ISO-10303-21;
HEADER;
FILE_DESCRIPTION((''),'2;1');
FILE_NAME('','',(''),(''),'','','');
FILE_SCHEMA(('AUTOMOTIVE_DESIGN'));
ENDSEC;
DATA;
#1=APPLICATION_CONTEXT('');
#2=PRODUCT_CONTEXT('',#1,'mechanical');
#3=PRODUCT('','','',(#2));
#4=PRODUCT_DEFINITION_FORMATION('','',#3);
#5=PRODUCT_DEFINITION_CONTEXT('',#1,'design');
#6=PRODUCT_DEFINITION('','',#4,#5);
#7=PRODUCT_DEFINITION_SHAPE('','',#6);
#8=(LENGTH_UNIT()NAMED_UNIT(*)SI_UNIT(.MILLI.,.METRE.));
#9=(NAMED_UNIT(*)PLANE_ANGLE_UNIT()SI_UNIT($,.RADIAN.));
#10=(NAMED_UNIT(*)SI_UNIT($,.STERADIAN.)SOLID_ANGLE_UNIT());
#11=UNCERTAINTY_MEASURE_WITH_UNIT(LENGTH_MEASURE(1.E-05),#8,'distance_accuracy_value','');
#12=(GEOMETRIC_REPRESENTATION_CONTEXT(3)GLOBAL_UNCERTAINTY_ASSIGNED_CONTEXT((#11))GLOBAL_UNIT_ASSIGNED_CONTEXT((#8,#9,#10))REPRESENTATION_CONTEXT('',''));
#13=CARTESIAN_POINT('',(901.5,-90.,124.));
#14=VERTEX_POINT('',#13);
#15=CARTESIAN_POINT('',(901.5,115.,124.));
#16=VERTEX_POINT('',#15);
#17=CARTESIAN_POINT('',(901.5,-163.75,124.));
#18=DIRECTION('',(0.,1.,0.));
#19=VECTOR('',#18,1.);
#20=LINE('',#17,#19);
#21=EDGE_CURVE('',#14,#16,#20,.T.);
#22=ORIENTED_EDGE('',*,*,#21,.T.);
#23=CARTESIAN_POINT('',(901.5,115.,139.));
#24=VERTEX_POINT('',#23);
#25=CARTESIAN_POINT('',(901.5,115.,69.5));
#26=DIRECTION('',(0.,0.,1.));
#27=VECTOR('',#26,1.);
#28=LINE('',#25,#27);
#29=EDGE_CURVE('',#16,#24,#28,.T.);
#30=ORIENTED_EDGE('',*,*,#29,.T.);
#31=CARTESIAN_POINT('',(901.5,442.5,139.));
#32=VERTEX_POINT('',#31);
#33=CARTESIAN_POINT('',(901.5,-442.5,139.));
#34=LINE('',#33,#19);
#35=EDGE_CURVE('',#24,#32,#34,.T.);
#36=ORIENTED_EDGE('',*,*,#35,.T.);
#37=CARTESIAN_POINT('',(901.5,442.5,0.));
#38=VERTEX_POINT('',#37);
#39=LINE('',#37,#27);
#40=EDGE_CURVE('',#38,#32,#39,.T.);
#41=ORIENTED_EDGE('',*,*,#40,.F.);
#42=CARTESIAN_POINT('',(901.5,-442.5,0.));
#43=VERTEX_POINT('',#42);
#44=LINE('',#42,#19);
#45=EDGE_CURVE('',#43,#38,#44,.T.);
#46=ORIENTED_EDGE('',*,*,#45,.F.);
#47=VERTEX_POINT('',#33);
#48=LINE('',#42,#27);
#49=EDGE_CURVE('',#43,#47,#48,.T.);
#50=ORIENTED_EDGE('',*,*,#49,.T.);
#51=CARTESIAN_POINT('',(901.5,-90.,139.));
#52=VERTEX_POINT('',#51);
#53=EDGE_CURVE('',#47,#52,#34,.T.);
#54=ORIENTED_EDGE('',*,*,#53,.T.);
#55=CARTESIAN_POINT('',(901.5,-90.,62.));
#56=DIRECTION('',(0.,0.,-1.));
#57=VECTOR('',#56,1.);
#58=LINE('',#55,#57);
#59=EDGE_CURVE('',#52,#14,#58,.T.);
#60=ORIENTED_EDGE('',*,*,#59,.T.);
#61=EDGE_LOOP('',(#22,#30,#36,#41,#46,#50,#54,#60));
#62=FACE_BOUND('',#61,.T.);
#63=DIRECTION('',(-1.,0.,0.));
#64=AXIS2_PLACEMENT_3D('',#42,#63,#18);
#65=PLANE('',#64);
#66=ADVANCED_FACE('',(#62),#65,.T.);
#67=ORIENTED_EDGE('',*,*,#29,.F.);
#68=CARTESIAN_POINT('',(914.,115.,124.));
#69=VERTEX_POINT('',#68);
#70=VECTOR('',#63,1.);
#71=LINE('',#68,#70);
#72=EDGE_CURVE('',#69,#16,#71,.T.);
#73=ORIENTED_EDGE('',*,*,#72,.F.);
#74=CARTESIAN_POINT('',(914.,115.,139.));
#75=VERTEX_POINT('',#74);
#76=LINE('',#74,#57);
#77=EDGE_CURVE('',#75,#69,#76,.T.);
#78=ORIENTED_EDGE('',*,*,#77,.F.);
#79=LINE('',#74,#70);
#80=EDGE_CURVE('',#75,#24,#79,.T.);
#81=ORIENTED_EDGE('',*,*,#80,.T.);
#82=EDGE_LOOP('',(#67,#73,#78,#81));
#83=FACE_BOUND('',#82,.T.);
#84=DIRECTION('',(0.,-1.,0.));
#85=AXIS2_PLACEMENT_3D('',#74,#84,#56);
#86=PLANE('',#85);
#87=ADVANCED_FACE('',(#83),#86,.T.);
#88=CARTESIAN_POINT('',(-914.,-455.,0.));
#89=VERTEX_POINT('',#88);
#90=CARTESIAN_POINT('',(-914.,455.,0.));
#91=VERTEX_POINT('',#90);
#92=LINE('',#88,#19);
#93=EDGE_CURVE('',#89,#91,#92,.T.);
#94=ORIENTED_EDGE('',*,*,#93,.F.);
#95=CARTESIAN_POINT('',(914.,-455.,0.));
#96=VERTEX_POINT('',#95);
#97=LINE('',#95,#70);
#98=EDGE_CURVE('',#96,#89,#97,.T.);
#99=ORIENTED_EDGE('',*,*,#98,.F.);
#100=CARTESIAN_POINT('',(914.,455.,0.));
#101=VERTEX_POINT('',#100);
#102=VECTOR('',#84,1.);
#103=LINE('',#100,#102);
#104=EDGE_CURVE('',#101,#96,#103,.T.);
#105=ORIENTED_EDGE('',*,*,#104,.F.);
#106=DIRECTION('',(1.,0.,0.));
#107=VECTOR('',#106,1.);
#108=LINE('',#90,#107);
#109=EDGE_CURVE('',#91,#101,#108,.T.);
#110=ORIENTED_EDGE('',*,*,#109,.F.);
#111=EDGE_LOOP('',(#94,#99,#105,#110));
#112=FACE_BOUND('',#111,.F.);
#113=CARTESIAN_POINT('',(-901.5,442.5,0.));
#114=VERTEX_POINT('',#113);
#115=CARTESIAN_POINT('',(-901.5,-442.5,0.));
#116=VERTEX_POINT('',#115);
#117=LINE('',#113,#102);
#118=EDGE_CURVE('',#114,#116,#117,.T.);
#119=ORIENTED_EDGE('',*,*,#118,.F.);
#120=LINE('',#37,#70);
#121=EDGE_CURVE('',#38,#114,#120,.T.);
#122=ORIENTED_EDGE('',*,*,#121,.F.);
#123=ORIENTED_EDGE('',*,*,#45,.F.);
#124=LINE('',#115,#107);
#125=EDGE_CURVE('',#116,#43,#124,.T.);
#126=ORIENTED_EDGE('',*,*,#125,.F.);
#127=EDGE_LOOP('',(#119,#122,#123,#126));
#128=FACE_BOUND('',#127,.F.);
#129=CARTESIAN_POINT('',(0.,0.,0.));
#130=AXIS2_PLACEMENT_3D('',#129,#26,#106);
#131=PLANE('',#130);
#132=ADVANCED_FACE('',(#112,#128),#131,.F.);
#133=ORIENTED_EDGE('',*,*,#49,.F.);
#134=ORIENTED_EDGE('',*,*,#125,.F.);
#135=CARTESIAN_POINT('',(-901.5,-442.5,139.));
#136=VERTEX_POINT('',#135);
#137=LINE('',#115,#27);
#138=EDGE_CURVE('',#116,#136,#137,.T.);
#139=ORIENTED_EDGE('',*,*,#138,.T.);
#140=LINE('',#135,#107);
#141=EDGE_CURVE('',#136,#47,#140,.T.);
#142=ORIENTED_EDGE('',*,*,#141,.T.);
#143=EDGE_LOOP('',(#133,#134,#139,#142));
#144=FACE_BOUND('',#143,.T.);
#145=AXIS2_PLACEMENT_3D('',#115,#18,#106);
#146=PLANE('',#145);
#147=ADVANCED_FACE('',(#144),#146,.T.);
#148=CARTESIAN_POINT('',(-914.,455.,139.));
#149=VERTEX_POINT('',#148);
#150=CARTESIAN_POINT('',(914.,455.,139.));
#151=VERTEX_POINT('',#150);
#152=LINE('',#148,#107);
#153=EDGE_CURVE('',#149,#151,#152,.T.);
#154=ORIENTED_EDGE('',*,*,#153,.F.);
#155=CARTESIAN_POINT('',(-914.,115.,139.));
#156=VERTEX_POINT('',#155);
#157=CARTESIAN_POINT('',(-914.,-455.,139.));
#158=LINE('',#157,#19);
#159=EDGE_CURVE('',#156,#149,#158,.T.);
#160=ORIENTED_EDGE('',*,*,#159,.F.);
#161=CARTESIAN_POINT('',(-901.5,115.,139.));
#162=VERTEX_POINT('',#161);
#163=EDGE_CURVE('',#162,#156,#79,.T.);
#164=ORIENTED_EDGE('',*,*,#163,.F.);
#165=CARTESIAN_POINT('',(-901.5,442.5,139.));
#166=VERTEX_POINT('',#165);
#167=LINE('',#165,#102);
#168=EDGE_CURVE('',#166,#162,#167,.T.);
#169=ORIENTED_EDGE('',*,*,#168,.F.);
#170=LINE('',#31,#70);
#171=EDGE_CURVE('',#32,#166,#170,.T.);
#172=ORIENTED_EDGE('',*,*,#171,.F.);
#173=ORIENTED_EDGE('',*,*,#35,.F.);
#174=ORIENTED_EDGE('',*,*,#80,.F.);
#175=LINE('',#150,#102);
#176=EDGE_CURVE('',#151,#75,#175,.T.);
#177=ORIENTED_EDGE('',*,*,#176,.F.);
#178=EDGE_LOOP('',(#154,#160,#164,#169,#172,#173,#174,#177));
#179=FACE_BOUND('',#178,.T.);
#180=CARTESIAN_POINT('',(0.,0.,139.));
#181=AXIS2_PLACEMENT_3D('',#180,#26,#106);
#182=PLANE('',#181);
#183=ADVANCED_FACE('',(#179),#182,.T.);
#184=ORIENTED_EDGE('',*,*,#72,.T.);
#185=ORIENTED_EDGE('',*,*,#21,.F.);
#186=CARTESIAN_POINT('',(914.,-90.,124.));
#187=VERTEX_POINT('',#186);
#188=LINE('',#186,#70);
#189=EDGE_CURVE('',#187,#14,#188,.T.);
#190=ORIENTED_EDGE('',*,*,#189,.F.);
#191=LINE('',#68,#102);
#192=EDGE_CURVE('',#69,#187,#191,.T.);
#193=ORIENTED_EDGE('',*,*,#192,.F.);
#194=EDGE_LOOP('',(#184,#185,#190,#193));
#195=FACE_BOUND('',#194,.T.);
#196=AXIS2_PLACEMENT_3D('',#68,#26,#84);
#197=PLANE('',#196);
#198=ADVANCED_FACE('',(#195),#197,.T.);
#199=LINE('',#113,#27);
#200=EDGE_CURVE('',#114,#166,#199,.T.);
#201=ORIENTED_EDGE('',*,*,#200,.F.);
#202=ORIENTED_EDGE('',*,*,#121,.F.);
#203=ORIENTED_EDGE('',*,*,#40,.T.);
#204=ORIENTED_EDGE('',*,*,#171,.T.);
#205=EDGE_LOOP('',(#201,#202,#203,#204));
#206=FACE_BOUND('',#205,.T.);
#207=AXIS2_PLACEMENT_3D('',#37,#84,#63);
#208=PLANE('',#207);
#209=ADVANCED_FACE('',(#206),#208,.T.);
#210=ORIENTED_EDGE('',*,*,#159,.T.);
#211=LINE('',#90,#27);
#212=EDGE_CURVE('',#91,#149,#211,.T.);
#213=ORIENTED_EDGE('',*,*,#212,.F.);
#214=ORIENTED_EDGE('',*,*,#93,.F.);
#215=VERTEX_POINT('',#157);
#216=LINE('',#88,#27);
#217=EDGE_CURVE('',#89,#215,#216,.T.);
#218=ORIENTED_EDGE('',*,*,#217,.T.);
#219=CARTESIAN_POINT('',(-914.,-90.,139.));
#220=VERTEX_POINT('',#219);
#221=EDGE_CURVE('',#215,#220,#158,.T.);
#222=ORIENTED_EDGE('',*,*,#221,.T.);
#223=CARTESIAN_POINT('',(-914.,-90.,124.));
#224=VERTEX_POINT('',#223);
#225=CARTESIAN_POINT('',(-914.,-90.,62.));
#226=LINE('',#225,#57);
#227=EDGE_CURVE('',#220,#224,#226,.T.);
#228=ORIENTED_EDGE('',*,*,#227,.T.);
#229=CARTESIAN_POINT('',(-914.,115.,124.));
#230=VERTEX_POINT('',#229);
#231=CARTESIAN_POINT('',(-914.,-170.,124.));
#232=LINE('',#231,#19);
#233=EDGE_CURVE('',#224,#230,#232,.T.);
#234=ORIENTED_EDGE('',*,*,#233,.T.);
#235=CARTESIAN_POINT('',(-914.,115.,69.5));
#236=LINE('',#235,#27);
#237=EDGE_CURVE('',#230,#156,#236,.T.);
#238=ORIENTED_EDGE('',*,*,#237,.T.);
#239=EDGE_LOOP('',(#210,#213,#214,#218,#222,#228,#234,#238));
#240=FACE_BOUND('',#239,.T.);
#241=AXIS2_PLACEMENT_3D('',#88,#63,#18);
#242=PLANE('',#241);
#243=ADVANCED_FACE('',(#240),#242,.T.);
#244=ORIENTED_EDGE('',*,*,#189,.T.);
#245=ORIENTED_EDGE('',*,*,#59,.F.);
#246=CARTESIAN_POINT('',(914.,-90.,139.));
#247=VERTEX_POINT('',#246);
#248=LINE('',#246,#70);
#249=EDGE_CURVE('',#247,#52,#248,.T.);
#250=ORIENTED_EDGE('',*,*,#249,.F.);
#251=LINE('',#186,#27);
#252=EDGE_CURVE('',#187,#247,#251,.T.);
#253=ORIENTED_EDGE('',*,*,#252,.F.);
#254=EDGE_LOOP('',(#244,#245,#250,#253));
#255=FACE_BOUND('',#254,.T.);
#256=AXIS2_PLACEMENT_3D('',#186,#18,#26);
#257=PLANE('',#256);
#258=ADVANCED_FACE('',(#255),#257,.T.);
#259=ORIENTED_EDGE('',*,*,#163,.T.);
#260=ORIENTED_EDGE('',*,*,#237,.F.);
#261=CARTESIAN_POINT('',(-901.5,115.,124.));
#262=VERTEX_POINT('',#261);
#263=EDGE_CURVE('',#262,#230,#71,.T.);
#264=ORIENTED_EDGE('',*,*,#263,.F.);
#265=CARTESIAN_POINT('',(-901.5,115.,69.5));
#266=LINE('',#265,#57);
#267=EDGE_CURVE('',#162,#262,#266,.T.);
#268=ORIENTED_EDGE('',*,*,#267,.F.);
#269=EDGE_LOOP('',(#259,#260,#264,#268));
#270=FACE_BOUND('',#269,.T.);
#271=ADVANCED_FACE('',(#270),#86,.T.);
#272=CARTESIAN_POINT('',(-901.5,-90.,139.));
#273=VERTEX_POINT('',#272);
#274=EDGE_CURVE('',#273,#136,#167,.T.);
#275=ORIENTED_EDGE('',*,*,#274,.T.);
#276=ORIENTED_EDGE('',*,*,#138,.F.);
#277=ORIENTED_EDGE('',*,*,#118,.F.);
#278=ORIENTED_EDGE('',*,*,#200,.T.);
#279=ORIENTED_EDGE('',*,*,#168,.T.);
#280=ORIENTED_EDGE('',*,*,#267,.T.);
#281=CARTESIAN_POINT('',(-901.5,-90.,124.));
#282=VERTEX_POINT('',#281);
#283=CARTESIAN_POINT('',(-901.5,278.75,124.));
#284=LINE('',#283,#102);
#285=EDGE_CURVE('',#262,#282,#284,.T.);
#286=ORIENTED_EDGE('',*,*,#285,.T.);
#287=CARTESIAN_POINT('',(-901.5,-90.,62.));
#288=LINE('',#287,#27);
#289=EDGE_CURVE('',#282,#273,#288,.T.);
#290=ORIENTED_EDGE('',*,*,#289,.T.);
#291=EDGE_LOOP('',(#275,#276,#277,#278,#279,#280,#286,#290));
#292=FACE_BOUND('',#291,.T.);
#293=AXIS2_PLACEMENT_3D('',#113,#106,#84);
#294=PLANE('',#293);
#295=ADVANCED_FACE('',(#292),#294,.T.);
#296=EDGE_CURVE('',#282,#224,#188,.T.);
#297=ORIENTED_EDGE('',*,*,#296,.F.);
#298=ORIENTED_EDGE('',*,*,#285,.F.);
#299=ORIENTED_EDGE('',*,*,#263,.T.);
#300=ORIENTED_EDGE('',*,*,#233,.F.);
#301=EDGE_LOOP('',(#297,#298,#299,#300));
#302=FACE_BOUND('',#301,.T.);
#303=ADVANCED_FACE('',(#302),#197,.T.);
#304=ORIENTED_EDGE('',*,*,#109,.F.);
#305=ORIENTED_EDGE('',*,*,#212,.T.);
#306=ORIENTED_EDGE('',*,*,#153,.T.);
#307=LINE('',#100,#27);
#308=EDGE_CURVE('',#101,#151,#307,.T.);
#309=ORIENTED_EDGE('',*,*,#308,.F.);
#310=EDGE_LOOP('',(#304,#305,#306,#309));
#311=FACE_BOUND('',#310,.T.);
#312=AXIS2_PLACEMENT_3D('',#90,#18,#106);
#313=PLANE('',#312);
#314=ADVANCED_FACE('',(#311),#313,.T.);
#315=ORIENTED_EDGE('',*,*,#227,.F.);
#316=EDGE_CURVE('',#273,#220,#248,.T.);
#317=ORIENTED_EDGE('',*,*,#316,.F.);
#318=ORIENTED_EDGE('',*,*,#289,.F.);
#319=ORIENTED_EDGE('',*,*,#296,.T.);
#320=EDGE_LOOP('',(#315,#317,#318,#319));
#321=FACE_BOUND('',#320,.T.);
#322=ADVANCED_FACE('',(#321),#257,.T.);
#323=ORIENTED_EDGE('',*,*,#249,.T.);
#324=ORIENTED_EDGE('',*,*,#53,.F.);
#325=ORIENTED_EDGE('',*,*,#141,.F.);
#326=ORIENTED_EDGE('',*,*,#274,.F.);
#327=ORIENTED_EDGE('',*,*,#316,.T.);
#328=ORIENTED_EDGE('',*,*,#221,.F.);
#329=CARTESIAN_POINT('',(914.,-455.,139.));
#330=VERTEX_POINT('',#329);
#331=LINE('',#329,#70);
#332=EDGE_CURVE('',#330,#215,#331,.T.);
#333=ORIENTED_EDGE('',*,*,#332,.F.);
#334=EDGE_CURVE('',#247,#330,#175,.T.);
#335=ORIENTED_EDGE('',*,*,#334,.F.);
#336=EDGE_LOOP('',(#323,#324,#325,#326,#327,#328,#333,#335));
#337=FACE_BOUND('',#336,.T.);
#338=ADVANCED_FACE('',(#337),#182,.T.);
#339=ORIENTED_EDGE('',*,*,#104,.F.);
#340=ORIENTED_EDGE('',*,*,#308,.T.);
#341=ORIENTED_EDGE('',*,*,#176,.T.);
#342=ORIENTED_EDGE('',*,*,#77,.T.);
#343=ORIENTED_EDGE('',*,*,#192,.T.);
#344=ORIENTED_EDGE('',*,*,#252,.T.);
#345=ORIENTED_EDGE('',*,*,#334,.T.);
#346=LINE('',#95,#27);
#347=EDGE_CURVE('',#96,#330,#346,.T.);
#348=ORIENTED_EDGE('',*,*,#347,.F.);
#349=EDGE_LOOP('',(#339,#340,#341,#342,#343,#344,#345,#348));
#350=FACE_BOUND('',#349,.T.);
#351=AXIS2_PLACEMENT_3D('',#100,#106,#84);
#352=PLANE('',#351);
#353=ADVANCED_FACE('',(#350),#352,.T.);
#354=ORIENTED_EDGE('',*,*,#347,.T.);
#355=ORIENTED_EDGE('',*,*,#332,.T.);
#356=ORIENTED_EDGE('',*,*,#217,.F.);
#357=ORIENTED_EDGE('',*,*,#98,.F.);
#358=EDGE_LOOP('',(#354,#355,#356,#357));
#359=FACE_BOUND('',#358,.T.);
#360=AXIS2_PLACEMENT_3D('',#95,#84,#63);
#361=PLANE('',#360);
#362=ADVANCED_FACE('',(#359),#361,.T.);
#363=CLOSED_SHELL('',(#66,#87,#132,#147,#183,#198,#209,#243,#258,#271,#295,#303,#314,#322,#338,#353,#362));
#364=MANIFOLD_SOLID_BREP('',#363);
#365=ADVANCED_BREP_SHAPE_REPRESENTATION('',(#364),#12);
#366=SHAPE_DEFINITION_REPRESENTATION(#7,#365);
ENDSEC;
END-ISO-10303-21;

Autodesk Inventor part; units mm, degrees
ref_plane "YZ Plane" through (0, 0, 0) normal (1, 0, 0) x (0, 1, 0)
ref_plane "XZ Plane" through (0, 0, 0) normal (0, 1, 0) x (-1, 0, 0)
ref_plane "XY Plane" through (0, 0, 0) normal (0, 0, 1) x (1, 0, 0)
sketch "Skizze1" plane through (0, 0, 0) normal (0, 0, 1) x (1, 0, 0)
  line L0 (-914, 455) -> (914, 455)
  line L1 (914, 455) -> (914, -455)
  line L2 (914, -455) -> (-914, -455)
  line L3 (-914, -455) -> (-914, 455)
  line L4 (-914, 455) -> (914, -455) construction
  line L5 (914, 455) -> (-914, -455) construction
  line L6 (-901.5, -442.5) -> (901.5, -442.5)
  line L7 (901.5, -442.5) -> (901.5, 442.5)
  line L8 (901.5, 442.5) -> (-901.5, 442.5)
  line L9 (-901.5, 442.5) -> (-901.5, -442.5)
  line L10 (-901.5, -442.5) -> (901.5, 442.5) construction
  line L11 (901.5, -442.5) -> (-901.5, 442.5) construction
  point P0 (0, 0)
  dimension "d0" = 1828
  dimension "d1" = 910
  dimension "d2" = 1803
  dimension "d3" = 885
extrude "Extrusion1" add sketch "Skizze1" along normal blind 139
sketch "Skizze2" plane through (0, 0, 139) normal (0, 0, 1) x (1, 0, 0)
  line L0 (-901.5, 442.5) -> (901.5, 442.5) projected
  line L1 (-901.5, -442.5) -> (-901.5, 442.5) projected
  line L2 (901.5, -442.5) -> (-901.5, -442.5) projected
  line L3 (901.5, 442.5) -> (901.5, -442.5) projected
  point P0 (0, 0)
sketch "Skizze3" plane through (914, -455, 0) normal (1, 0, 0) x (0, 0, -1)
  line L0 (0, 910) -> (0, 0) construction
  line L1 (0, 910) -> (-139, 910) construction
  line L2 (-139, 0) -> (-139, 910) construction
  line L3 (0, 0) -> (-139, 0) construction
  line L4 (-120.6636, 910) -> (-120.6636, 570) construction
  line L5 (-94.9295, 910) -> (-94.9295, 365) construction
  line L6 (-139, 511.8346) -> (-124, 511.8346) construction
  line L7 (-139, 570) -> (-124, 570)
  line L8 (-124, 570) -> (-124, 365)
  line L9 (-124, 365) -> (-139, 365)
  line L10 (-139, 365) -> (-139, 570)
  point P0 (0, 455)
  dimension "d8" = 340
  dimension "d9" = 545
  dimension "d10" = 15
extrude "Extrusion3" cut sketch "Skizze3" against normal through all
properties part number "Frame" material "Holz (Birke)"
